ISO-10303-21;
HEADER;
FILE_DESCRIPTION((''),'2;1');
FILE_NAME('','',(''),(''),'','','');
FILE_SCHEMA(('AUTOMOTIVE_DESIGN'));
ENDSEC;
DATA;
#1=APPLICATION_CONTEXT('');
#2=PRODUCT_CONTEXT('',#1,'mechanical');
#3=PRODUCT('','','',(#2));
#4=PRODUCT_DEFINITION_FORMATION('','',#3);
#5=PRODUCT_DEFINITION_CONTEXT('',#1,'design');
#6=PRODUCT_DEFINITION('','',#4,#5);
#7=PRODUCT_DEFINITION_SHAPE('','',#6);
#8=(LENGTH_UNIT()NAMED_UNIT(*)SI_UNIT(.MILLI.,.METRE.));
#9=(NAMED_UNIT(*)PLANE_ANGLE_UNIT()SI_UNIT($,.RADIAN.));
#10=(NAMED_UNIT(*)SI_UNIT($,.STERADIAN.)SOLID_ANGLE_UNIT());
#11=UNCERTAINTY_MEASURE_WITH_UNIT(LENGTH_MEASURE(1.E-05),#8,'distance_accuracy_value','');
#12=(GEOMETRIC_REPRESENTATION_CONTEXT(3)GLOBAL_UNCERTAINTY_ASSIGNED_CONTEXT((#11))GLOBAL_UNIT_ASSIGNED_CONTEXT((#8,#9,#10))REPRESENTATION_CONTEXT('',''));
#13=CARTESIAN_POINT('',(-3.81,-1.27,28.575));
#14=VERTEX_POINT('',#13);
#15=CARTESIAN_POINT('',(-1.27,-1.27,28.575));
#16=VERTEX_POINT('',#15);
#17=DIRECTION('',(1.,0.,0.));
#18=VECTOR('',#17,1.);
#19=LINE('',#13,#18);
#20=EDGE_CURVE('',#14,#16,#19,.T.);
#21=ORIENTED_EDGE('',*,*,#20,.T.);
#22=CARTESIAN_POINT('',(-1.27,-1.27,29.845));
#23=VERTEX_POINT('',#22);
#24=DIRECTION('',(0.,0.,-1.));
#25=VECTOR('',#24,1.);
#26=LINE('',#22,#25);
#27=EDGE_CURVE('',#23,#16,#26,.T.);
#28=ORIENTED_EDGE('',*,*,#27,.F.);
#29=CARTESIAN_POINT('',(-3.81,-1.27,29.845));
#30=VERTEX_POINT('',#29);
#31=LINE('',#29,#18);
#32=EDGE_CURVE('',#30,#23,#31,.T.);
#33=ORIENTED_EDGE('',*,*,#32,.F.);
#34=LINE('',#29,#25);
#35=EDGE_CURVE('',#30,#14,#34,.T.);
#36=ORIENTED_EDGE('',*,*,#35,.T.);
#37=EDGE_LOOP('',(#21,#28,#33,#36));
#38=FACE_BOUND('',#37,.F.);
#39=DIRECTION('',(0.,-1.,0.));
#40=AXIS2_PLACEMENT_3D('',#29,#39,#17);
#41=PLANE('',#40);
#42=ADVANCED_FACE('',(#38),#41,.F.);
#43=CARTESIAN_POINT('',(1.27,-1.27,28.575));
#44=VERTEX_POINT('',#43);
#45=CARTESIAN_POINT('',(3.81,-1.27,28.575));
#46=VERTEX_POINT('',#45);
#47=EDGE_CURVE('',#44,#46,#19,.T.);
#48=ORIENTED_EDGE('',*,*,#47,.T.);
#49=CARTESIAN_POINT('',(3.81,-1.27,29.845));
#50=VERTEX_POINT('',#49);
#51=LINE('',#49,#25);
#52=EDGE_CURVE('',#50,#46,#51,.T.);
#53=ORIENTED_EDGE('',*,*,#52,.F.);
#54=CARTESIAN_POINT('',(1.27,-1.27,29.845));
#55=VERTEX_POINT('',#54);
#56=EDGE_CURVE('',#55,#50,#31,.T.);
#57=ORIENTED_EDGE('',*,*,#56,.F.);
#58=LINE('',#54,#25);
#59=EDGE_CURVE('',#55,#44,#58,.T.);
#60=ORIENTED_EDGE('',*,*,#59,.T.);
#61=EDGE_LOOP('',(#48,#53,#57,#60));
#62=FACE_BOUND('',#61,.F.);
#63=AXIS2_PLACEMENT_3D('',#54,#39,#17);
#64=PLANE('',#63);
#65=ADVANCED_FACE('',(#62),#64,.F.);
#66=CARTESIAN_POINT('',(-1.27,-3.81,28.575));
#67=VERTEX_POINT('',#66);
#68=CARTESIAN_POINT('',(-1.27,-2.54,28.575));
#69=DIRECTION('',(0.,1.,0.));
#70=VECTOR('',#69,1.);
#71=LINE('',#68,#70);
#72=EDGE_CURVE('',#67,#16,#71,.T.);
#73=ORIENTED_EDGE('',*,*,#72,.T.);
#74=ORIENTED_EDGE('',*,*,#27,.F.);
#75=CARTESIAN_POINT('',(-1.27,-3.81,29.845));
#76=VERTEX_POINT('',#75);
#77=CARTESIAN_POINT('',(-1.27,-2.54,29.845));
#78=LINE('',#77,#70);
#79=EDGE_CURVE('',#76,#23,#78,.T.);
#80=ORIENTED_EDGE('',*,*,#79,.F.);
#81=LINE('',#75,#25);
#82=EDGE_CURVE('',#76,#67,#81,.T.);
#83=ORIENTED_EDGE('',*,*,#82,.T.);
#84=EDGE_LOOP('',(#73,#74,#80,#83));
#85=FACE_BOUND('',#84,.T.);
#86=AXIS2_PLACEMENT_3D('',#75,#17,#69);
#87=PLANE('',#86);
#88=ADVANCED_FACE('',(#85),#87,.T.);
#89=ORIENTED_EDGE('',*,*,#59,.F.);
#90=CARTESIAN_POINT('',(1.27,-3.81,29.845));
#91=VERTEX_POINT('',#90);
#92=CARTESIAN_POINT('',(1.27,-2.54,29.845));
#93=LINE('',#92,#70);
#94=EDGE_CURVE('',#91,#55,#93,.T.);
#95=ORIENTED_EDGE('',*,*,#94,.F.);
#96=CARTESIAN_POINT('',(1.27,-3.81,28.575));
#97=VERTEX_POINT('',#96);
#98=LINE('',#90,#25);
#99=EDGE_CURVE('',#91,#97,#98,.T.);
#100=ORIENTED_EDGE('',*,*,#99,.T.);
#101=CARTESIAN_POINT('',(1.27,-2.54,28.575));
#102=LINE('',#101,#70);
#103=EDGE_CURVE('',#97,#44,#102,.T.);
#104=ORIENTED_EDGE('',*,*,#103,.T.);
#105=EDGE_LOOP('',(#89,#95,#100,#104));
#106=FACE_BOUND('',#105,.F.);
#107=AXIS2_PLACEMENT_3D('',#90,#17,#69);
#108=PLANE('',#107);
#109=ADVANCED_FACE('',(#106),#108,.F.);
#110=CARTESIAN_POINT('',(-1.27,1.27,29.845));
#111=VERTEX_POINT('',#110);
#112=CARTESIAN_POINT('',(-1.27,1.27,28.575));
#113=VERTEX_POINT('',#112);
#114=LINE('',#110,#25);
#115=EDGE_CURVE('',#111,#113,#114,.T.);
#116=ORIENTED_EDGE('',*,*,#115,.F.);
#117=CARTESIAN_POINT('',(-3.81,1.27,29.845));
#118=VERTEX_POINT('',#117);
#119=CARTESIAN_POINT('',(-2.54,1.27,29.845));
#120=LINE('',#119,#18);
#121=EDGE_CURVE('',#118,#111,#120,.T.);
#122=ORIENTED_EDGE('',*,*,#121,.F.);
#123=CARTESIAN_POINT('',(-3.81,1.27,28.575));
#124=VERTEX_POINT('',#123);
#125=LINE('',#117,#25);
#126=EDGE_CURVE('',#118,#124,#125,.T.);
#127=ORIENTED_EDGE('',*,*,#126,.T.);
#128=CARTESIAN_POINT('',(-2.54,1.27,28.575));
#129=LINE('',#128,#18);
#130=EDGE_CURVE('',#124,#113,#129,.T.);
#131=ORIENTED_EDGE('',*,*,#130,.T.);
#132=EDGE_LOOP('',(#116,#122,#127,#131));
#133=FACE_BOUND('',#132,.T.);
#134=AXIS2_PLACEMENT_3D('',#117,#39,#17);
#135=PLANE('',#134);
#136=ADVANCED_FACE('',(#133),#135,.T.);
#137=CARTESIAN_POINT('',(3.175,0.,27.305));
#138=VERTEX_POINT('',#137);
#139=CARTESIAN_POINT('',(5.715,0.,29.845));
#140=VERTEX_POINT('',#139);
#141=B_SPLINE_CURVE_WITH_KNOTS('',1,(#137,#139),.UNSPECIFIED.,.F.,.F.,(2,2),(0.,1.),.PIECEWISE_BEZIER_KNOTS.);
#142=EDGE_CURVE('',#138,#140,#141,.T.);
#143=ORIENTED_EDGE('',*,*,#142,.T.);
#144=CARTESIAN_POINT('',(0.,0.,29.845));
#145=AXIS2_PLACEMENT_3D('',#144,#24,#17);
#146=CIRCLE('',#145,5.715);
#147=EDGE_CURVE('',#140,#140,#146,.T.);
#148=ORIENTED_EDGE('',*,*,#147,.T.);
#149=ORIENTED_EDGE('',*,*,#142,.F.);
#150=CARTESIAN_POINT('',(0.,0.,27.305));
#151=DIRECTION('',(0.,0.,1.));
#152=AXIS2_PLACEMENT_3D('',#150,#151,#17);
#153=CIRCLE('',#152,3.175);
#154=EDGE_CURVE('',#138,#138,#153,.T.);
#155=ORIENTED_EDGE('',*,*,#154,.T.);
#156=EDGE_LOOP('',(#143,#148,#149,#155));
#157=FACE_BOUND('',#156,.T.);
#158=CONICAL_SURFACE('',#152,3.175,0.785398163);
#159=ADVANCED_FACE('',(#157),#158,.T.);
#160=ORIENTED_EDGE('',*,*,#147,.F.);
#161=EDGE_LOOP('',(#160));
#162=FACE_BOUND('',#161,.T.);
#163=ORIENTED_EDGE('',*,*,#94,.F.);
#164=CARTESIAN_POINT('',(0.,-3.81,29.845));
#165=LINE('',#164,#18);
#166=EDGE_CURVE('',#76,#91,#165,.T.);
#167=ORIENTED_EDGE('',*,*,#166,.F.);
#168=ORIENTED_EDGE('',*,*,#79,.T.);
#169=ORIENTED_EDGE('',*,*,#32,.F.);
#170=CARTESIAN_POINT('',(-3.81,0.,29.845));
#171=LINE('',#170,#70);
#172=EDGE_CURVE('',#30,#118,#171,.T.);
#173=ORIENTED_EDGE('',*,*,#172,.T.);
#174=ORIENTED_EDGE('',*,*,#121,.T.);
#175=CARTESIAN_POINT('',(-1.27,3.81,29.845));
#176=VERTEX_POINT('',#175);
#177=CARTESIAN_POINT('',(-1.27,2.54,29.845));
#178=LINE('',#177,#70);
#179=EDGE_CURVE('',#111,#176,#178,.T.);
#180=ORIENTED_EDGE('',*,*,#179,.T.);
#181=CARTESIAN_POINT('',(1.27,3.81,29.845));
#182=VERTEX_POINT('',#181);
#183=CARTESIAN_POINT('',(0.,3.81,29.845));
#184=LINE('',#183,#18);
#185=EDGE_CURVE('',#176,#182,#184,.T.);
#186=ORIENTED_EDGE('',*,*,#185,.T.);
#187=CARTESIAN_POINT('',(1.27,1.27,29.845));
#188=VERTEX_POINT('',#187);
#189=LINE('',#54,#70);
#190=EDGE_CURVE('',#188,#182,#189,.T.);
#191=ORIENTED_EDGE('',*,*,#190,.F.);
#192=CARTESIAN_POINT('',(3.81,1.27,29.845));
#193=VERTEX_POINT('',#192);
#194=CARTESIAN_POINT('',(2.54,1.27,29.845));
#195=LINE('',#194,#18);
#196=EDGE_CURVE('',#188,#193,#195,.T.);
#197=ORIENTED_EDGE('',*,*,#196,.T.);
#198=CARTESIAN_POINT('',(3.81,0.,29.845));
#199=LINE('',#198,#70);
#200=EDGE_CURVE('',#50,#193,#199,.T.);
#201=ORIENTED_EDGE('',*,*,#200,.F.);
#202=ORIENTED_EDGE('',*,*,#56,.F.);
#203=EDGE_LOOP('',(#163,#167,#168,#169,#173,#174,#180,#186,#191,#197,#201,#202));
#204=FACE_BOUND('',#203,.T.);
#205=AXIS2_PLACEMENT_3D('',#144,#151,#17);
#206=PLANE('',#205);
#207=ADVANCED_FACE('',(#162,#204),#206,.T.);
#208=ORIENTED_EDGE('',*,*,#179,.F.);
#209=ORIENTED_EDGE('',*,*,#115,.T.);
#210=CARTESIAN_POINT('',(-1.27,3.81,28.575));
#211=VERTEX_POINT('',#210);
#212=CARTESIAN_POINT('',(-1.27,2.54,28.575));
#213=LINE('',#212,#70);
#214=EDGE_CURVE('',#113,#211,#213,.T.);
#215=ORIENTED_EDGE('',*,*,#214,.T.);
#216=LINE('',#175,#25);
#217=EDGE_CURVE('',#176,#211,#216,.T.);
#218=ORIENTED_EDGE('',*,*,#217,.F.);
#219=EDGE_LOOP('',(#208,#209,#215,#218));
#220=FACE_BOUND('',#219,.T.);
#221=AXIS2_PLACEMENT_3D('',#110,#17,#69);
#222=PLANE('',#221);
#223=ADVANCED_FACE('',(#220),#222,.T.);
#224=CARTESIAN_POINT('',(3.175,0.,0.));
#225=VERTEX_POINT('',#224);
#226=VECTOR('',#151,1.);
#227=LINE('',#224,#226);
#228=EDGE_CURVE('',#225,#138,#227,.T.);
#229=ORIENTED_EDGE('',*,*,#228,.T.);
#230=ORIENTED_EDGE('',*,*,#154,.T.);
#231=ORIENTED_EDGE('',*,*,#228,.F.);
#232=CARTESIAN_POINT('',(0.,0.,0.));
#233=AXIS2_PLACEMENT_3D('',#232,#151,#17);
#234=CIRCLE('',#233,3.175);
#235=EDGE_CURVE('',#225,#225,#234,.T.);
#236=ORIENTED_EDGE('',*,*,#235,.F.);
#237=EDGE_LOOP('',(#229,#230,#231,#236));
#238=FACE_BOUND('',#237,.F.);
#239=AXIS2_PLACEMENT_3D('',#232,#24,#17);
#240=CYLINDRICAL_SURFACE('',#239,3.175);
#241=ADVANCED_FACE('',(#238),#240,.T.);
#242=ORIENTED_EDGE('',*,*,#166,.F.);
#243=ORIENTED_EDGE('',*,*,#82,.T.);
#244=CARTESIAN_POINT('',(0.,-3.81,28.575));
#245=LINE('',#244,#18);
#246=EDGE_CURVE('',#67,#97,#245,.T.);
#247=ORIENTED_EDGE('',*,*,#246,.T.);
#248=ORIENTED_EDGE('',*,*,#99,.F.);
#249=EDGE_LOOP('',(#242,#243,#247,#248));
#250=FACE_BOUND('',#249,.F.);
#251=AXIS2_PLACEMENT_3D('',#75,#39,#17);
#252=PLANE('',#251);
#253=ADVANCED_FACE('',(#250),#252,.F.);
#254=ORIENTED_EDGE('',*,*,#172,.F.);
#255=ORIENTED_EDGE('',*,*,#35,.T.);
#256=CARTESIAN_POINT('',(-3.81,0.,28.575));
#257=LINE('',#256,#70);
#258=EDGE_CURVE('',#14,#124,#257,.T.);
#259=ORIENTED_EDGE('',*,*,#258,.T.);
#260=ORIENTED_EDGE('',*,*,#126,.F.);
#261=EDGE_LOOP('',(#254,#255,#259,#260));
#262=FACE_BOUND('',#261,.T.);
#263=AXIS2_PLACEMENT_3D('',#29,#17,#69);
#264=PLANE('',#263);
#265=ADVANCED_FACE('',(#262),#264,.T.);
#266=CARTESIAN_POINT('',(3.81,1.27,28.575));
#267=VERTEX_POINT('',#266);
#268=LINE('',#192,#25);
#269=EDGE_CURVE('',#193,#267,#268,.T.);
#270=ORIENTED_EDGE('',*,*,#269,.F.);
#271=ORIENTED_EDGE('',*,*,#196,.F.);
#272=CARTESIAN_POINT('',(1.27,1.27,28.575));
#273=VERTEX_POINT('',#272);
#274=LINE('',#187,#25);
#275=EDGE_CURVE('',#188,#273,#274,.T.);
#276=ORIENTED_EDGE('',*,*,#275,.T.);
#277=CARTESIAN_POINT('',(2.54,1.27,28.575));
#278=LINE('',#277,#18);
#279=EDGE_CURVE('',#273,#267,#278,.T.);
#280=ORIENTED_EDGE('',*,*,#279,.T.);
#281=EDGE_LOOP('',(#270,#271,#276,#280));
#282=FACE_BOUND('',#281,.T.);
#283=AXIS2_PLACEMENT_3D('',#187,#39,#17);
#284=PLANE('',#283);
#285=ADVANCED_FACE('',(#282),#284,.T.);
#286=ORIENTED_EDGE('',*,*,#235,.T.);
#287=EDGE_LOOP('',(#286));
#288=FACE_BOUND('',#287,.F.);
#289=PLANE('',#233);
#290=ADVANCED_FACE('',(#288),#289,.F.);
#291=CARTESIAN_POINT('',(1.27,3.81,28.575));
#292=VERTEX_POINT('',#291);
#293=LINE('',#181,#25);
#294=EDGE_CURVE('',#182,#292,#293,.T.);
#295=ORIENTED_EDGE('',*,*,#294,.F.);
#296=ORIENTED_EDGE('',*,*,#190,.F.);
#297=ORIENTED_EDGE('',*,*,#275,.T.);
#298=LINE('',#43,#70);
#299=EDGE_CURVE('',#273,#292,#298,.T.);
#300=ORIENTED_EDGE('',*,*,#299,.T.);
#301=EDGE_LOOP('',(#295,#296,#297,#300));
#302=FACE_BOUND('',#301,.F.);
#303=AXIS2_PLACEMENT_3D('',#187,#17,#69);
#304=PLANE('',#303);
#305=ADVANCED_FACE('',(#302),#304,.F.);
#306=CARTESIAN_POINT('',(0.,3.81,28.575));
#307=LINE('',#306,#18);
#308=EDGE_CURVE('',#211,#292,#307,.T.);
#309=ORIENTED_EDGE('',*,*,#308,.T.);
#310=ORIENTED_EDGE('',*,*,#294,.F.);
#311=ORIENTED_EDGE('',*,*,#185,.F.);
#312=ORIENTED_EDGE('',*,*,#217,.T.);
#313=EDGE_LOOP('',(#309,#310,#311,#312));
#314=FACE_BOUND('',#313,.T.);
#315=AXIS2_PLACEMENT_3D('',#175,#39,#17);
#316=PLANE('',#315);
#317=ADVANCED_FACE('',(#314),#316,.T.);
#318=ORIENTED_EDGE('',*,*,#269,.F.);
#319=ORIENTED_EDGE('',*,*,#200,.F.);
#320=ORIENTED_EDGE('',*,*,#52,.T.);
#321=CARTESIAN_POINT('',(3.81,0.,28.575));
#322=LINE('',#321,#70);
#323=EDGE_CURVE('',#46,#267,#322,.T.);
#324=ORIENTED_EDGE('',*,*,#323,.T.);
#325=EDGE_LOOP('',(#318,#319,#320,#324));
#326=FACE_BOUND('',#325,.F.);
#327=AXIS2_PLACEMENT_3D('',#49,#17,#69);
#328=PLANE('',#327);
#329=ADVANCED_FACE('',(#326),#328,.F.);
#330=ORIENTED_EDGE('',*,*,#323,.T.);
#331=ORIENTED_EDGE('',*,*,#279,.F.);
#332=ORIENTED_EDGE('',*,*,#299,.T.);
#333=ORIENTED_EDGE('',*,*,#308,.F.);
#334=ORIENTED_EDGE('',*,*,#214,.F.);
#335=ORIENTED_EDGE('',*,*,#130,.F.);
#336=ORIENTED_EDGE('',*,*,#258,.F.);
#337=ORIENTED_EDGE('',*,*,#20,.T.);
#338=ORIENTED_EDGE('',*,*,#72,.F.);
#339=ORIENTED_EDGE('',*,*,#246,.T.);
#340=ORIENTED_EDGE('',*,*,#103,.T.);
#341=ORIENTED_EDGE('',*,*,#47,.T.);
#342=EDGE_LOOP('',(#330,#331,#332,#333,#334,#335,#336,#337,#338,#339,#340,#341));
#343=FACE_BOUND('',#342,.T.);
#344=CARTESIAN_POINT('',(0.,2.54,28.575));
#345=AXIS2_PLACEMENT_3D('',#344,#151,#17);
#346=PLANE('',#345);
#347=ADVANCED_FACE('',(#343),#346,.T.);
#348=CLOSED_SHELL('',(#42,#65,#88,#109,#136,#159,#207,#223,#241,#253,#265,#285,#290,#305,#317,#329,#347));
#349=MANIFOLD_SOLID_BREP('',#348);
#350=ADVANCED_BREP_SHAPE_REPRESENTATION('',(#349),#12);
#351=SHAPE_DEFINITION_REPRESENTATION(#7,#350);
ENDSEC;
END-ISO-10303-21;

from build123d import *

# Parameters (mm, degrees)
F0_R      = 3.175
F1_DEPTH  = 27.305
F1_FACE_R = 3.175
F2_DEPTH  = 2.54
F2_TAPER  = -45
F3_W      = 2.54
F3_H      = 2.54
F4_DEPTH  = 1.27


with BuildPart() as f1:
    # F0 (on Top) → F1 (new body)
    with BuildSketch(Plane.XY):
        Circle(F0_R)
    extrude(amount=F1_DEPTH)

    # F1_face (on face) → F2 (join)
    with BuildSketch(Plane.XY.offset(27.305)):
        Circle(F1_FACE_R)
    extrude(amount=F2_DEPTH, taper=F2_TAPER)

    # F3 (on face) → F4 (cut)
    with BuildSketch(Plane.XY.offset(29.845)):
        with Locations((0, 2.54)):
            Rectangle(F3_W, F3_H)
        with Locations((-2.54, 0)):
            Rectangle(F3_W, F3_H)
        Rectangle(F3_W, F3_H)
        with Locations((2.54, 0)):
            Rectangle(F3_W, F3_H)
        with Locations((0, -2.54)):
            Rectangle(F3_W, F3_H)
    extrude(amount=-F4_DEPTH, mode=Mode.SUBTRACT)


solid = f1.part
